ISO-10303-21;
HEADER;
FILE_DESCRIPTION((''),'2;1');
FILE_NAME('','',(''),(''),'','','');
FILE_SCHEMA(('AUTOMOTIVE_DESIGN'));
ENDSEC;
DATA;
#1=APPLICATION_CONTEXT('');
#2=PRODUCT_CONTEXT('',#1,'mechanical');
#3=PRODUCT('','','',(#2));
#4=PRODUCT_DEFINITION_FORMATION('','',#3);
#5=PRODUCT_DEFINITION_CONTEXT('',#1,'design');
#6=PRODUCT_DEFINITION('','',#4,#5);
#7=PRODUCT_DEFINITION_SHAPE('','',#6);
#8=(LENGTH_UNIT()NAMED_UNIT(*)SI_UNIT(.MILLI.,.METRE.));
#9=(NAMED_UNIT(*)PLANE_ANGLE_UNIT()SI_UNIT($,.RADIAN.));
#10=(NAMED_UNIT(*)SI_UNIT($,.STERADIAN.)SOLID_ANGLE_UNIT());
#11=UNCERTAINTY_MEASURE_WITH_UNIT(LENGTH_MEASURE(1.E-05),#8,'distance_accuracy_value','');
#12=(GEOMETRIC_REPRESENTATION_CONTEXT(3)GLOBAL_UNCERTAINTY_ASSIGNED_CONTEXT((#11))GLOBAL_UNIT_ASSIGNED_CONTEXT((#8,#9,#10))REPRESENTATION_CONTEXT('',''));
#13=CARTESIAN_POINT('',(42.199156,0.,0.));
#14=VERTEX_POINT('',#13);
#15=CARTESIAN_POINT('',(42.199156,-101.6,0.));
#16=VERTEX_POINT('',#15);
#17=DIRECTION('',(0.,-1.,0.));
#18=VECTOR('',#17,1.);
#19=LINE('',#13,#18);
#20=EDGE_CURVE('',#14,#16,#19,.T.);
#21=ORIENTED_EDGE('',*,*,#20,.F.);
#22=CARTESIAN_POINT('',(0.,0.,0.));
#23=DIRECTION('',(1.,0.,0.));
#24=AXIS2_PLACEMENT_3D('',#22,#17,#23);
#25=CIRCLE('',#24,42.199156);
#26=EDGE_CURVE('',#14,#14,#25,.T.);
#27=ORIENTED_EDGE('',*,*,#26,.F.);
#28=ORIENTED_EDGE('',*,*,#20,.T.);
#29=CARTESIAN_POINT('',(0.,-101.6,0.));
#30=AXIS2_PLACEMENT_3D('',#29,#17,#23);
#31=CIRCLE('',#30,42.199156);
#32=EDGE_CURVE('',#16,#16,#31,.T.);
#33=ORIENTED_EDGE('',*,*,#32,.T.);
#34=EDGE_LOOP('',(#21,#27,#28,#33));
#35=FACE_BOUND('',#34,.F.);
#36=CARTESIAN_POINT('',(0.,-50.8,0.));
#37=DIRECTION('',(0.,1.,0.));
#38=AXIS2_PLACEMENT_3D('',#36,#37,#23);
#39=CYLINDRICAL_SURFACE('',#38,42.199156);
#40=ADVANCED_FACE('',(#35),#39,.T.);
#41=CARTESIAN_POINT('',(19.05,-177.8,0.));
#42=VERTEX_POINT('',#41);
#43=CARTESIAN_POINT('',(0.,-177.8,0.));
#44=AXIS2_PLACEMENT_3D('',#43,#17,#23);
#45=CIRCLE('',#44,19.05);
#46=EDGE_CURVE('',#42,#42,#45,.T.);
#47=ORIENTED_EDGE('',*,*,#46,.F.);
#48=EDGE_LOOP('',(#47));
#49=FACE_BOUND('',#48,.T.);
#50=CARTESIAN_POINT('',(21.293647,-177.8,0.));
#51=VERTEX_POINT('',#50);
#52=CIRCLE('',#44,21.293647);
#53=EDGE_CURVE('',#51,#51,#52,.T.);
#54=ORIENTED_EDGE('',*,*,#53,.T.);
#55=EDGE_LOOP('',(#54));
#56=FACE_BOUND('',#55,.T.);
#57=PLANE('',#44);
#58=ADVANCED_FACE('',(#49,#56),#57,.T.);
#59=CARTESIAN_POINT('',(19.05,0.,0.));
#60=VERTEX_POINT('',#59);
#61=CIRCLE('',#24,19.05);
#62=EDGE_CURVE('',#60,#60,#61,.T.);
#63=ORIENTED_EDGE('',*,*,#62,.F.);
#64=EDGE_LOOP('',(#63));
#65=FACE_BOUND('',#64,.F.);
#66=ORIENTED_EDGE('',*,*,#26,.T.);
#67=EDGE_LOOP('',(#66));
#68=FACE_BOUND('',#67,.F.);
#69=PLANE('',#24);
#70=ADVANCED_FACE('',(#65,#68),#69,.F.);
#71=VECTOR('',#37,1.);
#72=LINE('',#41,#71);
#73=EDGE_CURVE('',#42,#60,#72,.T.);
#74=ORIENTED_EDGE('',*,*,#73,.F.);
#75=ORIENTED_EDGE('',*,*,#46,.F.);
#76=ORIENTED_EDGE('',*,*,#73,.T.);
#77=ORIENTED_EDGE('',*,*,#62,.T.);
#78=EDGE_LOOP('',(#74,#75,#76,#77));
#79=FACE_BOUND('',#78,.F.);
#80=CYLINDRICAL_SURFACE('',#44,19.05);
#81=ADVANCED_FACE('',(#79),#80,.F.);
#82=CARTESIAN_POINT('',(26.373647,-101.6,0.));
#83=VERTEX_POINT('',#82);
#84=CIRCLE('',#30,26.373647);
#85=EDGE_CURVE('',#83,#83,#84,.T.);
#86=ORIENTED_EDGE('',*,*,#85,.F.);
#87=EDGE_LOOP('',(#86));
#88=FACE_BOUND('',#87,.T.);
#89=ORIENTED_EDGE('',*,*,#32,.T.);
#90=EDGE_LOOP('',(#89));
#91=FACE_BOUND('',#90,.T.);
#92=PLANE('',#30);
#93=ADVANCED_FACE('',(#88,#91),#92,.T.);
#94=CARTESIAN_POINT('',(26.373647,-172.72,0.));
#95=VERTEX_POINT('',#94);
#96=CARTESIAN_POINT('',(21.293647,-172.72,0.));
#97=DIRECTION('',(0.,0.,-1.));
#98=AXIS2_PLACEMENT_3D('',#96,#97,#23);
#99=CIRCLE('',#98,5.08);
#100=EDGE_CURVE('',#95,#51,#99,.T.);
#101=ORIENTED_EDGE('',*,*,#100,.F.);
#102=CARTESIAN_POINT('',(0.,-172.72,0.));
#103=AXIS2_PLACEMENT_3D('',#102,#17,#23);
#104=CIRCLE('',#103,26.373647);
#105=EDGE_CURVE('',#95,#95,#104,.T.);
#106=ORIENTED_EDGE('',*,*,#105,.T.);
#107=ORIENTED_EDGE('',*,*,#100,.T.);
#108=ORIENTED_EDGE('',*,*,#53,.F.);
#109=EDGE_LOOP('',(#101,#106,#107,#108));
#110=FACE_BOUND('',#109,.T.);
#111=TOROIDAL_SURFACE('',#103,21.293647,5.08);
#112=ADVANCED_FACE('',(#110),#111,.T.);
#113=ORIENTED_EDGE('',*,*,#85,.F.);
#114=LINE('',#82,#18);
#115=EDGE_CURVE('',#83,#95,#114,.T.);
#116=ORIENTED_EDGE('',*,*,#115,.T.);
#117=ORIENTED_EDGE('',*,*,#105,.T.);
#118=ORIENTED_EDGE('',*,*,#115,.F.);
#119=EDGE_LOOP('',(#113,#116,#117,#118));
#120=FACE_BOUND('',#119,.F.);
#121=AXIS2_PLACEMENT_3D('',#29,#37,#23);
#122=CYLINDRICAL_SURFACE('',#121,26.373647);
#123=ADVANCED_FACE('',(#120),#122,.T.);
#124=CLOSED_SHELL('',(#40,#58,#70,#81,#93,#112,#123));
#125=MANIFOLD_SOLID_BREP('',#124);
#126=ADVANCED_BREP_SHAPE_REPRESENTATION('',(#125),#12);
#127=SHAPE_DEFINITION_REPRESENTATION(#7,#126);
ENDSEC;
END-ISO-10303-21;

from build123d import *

# Parameters (mm, degrees)
F0_R      = 42.199156
F1_DEPTH  = 50.8
F2_R      = 26.140573
F3_DEPTH  = 25.4
F4_R      = 17.712335
F5_DEPTH  = 25.4
F6_R      = 23.120753
F1_FACE_R = 42.199156
F7_DEPTH  = 50.8
F8_R      = 26.373647
F9_DEPTH  = 76.2
F10_R     = 19.05
F11_DEPTH = 254
F12_R     = 5.08


with BuildPart() as f1:
    # F0 (on Front) → F1 (new body)
    with BuildSketch(Plane.XZ):
        Circle(F0_R)
    extrude(amount=F1_DEPTH)

    # F2 (on Front) → F3 (join)
    with BuildSketch(Plane.XZ):
        Circle(F2_R)
    extrude(amount=F3_DEPTH)

    # F4 (on Front) → F5 (join)
    with BuildSketch(Plane.XZ):
        Circle(F4_R)
    extrude(amount=F5_DEPTH)

    # F6 (on Front) + F1_face (on face) → F7 (join)
    with BuildSketch(Plane.XZ):
        Circle(F6_R)
    with BuildSketch(Plane.XZ.offset(50.8)):
        Circle(F1_FACE_R)
    extrude(amount=F7_DEPTH)

    # F8 (on face) → F9 (join)
    with BuildSketch(Plane.XZ.offset(101.6)):
        Circle(F8_R)
    extrude(amount=F9_DEPTH)

    # F10 (on face) → F11 (cut)
    with BuildSketch(Plane.XZ.offset(177.8)):
        Circle(F10_R)
    extrude(amount=-F11_DEPTH, mode=Mode.SUBTRACT)

    # F12
    f12_edges = [f1.edges().sort_by_distance(p)[0] for p in [
        (-26.373647, -177.8, 0),
    ]]
    fillet(f12_edges, radius=F12_R)


solid = f1.part
